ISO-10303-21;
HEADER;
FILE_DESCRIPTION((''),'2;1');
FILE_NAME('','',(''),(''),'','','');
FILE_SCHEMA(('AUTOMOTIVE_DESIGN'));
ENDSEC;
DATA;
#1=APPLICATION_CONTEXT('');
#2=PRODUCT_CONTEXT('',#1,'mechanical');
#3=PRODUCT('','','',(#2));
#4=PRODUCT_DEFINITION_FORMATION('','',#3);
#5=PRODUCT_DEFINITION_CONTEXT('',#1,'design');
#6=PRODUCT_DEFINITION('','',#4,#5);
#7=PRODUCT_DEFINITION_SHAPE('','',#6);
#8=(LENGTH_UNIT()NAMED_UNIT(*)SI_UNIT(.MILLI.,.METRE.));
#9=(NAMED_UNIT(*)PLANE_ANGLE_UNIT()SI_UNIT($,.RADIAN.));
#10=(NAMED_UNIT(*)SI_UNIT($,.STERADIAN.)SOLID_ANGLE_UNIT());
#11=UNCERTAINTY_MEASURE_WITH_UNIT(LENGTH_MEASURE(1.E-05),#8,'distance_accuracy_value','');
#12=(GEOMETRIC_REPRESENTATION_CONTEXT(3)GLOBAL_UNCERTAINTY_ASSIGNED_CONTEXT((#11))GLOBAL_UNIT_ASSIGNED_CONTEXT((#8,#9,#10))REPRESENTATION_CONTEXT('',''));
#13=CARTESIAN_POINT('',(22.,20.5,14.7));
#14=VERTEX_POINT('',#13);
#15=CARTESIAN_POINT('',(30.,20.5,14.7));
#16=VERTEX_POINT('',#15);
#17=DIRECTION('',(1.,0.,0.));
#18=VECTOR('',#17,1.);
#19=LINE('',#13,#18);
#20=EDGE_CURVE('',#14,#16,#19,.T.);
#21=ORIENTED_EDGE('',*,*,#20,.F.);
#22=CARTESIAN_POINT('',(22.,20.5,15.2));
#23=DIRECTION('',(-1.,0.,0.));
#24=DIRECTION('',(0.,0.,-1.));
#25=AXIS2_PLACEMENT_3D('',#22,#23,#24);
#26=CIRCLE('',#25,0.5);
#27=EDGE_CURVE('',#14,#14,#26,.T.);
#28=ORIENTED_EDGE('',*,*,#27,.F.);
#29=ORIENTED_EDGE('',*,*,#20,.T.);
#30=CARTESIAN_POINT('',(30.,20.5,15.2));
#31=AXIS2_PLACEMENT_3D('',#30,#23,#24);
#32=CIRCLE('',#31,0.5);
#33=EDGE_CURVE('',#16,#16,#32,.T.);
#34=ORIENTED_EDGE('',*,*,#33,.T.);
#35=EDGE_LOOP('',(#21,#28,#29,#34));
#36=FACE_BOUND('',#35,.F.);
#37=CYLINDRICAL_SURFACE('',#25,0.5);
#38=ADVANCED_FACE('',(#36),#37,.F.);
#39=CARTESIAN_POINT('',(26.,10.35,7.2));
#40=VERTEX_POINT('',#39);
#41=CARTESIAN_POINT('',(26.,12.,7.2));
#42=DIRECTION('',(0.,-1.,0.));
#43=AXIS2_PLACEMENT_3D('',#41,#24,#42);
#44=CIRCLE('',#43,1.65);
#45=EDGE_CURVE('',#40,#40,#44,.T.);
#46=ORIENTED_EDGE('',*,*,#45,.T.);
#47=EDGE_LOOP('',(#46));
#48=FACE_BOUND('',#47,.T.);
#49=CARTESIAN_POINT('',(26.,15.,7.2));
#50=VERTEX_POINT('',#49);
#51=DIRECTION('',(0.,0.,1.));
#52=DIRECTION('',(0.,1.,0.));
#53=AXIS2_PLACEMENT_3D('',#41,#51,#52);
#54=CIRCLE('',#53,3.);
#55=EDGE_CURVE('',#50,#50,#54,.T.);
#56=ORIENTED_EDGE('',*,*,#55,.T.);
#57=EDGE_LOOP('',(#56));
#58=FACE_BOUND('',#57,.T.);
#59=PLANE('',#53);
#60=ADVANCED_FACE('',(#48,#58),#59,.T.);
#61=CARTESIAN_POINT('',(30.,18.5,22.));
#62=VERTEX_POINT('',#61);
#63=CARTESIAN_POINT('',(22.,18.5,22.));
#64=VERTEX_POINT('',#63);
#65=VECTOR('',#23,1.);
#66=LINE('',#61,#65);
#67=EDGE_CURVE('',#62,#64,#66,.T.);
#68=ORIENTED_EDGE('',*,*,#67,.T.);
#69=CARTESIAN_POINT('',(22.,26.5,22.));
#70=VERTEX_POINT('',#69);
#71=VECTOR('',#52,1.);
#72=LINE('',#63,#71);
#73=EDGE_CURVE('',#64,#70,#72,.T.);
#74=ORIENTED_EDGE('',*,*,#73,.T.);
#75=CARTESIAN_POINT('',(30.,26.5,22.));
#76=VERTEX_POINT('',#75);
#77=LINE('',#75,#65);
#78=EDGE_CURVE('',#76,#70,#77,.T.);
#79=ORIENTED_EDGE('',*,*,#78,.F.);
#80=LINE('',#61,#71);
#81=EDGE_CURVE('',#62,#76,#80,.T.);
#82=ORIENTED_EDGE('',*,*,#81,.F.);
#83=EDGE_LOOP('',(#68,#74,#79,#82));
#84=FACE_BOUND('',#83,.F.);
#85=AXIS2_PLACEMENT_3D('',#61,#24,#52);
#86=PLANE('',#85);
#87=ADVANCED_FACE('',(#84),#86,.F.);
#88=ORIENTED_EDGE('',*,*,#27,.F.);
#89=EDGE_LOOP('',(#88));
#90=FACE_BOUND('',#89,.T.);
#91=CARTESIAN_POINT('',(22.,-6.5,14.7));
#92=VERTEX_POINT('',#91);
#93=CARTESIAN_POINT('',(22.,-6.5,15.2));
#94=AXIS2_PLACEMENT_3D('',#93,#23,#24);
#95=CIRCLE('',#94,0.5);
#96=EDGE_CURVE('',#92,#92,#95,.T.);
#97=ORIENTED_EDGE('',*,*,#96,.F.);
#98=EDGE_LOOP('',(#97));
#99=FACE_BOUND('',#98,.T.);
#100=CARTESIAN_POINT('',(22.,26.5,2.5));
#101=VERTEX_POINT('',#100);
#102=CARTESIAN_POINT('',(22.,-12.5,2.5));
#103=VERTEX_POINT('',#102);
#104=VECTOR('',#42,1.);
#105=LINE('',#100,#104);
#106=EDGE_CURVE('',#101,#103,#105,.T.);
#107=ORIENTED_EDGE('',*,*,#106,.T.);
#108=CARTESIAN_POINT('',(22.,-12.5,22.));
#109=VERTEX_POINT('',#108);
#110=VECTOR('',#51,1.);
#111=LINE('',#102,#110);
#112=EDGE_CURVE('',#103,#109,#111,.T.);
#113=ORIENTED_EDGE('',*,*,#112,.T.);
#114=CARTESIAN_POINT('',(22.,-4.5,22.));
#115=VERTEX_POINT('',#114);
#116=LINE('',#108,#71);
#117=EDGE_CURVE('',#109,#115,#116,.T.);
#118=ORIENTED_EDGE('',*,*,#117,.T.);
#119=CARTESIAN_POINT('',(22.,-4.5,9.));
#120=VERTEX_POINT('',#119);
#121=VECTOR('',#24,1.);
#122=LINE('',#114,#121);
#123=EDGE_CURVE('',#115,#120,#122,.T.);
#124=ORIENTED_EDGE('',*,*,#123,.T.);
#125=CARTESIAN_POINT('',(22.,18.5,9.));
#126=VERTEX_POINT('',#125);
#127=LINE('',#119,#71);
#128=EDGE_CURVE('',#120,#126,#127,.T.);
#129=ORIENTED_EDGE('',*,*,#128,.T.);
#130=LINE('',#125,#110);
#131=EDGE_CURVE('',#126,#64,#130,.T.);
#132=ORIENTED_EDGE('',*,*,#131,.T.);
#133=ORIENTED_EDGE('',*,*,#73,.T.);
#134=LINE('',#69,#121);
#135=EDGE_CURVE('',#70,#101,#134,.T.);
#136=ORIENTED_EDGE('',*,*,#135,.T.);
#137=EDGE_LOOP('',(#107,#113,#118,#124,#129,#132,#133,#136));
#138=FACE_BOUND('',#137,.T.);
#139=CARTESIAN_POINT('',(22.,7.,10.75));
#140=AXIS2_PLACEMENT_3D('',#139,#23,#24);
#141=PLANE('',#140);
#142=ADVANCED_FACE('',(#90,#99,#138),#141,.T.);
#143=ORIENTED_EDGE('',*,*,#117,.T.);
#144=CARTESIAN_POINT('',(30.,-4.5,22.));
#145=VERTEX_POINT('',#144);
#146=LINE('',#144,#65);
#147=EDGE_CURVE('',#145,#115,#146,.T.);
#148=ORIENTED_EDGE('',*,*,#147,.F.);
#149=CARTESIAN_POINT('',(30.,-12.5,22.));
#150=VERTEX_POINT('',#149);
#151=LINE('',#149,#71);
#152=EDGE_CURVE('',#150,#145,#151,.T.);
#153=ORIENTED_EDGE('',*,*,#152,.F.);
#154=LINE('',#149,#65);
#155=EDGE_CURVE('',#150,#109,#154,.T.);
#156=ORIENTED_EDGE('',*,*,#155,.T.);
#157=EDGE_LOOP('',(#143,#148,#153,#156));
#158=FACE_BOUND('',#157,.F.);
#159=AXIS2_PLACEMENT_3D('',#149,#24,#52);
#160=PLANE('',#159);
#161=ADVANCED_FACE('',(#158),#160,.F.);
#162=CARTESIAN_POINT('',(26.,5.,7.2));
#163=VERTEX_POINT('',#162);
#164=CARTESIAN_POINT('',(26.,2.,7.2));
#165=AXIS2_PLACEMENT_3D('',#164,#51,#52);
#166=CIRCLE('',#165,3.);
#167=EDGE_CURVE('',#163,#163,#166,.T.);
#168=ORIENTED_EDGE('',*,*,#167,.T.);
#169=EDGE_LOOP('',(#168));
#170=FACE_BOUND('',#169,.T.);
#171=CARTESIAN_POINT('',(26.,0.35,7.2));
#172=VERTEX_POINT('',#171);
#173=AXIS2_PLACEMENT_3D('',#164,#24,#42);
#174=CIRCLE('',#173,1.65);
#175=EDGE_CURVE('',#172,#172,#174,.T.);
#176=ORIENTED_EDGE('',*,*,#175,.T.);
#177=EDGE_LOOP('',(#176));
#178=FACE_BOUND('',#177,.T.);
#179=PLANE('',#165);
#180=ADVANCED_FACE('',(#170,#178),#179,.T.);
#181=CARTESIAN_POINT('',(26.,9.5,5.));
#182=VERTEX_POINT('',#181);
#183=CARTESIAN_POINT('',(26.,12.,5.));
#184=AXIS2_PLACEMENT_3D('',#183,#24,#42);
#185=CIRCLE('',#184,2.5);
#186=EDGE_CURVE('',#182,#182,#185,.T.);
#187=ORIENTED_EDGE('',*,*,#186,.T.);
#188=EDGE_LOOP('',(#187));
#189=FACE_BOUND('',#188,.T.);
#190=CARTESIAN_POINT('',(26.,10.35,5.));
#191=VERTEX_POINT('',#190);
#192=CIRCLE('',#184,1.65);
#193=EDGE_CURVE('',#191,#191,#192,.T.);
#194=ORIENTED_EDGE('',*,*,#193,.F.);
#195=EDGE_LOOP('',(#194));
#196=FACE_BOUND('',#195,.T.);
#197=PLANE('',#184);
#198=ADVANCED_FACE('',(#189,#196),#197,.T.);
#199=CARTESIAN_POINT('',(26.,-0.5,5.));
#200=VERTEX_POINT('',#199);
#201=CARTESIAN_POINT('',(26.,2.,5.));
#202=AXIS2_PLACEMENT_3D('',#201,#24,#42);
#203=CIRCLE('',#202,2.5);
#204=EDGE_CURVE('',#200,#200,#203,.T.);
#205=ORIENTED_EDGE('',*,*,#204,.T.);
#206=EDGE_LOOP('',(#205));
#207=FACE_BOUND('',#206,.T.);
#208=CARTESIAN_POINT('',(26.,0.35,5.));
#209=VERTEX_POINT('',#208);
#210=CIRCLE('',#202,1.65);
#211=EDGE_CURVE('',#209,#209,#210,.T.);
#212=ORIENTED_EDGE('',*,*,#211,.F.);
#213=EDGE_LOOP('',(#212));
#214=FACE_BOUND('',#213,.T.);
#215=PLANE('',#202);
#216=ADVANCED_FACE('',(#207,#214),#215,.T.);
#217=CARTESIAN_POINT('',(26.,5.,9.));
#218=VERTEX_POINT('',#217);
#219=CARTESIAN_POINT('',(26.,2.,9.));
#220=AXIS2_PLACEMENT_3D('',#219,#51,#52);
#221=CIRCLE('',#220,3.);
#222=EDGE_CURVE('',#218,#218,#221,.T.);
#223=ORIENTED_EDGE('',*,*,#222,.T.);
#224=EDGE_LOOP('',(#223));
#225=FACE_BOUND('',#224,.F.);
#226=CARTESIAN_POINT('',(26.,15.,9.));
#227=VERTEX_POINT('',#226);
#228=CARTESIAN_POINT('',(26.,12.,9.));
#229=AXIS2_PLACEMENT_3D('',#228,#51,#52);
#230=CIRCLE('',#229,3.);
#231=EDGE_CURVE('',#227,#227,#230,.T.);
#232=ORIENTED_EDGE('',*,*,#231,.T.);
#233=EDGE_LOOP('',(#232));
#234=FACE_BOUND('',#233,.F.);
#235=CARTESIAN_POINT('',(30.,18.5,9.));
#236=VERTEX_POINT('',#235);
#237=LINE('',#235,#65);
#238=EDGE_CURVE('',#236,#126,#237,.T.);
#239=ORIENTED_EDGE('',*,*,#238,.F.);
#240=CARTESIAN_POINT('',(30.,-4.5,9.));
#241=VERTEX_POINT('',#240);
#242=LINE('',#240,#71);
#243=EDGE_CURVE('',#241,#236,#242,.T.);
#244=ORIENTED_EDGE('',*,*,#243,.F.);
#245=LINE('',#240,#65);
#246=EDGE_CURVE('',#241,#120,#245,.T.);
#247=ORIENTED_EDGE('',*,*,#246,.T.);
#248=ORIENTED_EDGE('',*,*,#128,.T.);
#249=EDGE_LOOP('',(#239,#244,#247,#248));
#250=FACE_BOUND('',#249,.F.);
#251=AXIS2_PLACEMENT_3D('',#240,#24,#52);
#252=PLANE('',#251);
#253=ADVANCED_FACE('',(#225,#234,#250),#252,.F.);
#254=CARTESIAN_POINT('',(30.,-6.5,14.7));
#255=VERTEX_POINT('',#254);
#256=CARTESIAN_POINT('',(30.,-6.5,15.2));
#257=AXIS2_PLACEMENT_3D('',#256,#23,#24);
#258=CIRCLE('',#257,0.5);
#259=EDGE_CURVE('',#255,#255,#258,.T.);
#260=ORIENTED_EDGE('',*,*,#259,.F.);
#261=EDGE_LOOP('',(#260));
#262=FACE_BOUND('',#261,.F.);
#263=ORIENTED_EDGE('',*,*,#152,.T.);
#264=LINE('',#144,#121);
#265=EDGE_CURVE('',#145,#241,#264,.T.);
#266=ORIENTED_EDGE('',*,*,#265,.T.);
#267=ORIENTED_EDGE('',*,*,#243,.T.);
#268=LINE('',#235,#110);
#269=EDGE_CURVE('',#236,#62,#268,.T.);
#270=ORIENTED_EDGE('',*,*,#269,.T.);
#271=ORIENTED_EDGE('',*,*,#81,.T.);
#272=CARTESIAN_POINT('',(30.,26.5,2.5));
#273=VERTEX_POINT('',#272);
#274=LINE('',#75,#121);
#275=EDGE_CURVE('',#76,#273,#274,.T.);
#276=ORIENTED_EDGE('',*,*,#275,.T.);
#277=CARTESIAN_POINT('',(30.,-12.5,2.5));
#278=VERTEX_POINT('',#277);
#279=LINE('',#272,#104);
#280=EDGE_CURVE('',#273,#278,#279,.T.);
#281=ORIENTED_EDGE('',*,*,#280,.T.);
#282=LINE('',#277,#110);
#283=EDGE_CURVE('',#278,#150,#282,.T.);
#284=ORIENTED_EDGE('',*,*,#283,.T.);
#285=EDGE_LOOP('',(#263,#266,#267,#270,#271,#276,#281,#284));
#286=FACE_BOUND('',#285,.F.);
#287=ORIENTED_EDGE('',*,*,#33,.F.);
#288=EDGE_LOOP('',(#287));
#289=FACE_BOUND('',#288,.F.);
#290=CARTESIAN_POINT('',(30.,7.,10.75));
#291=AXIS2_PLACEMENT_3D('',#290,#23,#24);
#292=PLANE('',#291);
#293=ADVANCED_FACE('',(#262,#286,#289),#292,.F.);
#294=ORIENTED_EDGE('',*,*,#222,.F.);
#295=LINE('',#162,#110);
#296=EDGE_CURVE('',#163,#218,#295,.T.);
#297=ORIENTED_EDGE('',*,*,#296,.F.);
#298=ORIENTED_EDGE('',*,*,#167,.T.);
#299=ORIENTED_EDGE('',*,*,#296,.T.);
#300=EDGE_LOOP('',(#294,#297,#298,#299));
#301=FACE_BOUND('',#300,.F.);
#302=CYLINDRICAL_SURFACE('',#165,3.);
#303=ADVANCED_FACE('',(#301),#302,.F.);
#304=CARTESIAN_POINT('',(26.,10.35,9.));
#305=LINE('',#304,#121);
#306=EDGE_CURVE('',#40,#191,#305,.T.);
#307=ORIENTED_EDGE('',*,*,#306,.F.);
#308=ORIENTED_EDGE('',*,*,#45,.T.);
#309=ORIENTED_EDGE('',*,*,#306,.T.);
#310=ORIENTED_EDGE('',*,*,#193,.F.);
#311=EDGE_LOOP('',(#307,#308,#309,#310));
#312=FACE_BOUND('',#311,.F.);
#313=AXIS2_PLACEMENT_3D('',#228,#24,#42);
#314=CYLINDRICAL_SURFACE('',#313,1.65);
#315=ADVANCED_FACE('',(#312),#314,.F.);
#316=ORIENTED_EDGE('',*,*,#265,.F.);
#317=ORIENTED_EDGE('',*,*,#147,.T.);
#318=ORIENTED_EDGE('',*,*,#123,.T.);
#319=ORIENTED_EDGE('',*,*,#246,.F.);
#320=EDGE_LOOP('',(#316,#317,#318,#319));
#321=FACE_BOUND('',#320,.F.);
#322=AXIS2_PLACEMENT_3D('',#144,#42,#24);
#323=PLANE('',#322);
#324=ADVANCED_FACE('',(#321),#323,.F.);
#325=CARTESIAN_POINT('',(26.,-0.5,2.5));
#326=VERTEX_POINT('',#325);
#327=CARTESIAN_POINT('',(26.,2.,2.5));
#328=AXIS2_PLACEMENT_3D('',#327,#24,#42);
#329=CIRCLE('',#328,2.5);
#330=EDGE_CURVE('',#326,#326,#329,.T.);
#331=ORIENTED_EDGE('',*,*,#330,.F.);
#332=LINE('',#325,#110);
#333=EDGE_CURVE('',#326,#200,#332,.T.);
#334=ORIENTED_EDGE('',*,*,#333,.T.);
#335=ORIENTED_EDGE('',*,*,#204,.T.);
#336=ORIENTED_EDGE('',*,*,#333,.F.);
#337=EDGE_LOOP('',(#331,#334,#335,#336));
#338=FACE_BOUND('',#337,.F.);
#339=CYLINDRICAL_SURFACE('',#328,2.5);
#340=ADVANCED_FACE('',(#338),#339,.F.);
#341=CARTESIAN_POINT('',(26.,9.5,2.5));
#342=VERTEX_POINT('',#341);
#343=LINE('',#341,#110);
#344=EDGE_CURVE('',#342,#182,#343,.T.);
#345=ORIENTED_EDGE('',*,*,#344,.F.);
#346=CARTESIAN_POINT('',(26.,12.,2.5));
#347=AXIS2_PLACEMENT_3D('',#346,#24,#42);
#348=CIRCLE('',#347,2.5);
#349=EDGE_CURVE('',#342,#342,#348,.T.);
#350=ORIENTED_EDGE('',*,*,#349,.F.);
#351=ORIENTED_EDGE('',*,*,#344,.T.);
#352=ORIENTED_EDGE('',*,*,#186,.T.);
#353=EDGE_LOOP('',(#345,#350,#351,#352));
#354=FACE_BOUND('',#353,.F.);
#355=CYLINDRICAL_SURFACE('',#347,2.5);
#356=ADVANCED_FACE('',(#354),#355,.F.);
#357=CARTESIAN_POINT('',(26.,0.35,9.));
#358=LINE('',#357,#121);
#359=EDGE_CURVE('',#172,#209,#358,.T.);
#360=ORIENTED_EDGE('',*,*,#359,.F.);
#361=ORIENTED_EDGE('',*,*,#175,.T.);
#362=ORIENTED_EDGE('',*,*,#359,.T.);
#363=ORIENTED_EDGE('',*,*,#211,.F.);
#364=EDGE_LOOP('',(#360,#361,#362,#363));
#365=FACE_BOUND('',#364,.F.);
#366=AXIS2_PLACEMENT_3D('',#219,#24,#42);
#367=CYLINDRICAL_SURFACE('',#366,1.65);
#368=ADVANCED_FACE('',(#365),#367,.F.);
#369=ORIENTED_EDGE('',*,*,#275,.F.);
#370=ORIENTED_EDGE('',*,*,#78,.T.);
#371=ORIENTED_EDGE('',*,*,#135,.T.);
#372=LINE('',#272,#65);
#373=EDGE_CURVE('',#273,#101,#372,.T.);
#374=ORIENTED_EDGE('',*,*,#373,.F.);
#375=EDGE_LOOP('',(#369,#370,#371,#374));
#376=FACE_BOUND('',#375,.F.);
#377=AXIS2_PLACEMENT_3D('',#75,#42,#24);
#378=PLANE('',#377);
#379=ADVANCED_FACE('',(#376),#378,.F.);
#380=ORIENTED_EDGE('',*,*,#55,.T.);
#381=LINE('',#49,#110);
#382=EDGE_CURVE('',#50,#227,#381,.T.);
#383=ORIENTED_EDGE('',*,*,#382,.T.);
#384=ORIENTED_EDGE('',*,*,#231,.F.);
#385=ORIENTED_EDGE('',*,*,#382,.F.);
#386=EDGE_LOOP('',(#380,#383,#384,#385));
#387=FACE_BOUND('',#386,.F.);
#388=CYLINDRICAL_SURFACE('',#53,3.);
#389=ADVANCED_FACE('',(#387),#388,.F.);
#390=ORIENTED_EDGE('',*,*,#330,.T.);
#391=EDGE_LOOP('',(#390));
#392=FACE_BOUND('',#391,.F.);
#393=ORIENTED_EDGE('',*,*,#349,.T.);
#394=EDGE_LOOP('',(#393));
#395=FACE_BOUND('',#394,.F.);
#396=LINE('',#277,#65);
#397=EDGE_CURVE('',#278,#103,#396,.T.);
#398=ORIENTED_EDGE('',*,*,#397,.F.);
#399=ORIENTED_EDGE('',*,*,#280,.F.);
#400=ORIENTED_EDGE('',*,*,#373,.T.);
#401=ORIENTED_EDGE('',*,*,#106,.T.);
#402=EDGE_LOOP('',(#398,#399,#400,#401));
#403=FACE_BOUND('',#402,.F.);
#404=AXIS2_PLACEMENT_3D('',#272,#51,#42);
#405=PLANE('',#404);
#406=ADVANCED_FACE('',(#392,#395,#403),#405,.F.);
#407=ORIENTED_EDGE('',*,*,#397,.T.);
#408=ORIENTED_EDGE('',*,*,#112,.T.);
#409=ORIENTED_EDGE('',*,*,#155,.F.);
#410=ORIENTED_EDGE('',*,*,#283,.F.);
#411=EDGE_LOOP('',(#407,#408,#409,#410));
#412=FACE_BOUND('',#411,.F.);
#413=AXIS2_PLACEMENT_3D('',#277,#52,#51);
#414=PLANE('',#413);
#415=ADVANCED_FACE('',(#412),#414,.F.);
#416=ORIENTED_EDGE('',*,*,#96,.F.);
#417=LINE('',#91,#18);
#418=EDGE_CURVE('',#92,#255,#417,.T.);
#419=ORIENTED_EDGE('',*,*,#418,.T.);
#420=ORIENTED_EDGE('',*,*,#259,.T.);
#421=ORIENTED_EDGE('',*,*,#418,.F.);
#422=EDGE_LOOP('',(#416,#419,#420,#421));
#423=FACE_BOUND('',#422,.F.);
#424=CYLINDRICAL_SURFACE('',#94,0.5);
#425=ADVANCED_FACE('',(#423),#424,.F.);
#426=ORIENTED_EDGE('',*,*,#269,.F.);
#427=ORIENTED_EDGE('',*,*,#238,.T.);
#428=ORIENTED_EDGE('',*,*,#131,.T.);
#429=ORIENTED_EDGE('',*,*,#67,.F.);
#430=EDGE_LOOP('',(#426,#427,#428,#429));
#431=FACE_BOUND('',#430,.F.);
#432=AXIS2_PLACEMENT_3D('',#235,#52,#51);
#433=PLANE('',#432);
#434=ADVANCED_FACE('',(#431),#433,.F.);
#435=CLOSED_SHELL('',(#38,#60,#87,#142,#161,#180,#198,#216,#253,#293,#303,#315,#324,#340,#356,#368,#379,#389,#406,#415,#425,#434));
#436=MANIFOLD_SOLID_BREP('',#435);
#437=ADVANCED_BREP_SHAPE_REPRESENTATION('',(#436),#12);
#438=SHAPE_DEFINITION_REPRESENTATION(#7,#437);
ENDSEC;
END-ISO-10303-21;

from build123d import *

# Parameters (mm, degrees)
PAD003_DEPTH            = 8
HOLE_D                  = 3.3
HOLE_DEPTH              = 25
HOLE_CBORE_D            = 6
HOLE_CBORE_DEPTH        = 1.8
SKETCH010_R             = 0.5
POCKET004_DEPTH         = 8.001
SKETCH008_R             = 2.5
POCKET005_DEPTH         = 2.5
BODY003_PITCH_ANGLE     = 90
BODY003_PLACEMENT_ANGLE = -180


with BuildPart() as part:
    # Sketch009 → Pad003 (new body)
    with BuildSketch(Plane.XY):
        Polygon((0, 19.5), (0, 11.5), (13, 11.5), (13, -11.5), (0, -11.5), (0, -19.5), (19.5, -19.5), (19.5, 19.5), align=None)
    extrude(amount=PAD003_DEPTH)

    # Hole
    with Locations(Plane(origin=(13, 0, 0), x_dir=(0, -1, 0), z_dir=(-1, 0, 0))):
        with Locations((-5, 4), (5, 4)):
            CounterBoreHole(HOLE_D / 2, HOLE_CBORE_D / 2, HOLE_CBORE_DEPTH, depth=HOLE_DEPTH)

    # Sketch010 (on Face5 of Hole) → Pocket004 (cut, through all)
    with BuildSketch(Plane.XY.offset(8)):
        with Locations((6.8, 13.5)):
            Circle(SKETCH010_R)
        with Locations((6.8, -13.5)):
            Circle(SKETCH010_R)
    extrude(amount=-POCKET004_DEPTH, mode=Mode.SUBTRACT)

    # Sketch008 (on Face6 of Pocket004) → Pocket005 (cut)
    with BuildSketch(Plane.YZ.offset(19.5)):
        with Locations((-5, 4)):
            Circle(SKETCH008_R)
        with Locations((5, 4)):
            Circle(SKETCH008_R)
    extrude(amount=-POCKET005_DEPTH, mode=Mode.SUBTRACT)


with BuildPart() as part_1:
    # Body003 pitch: moved
    add(part.part.rotate(Axis((0, 0, 0), (0, 1, 0)), BODY003_PITCH_ANGLE))


with BuildPart() as part_2:
    # Body003 placement: moved
    add(part_1.part.moved(Location((30, 7, 22))).rotate(Axis((30, 7, 22), (0, 0, 1)), BODY003_PLACEMENT_ANGLE))


solid = part_2.part
